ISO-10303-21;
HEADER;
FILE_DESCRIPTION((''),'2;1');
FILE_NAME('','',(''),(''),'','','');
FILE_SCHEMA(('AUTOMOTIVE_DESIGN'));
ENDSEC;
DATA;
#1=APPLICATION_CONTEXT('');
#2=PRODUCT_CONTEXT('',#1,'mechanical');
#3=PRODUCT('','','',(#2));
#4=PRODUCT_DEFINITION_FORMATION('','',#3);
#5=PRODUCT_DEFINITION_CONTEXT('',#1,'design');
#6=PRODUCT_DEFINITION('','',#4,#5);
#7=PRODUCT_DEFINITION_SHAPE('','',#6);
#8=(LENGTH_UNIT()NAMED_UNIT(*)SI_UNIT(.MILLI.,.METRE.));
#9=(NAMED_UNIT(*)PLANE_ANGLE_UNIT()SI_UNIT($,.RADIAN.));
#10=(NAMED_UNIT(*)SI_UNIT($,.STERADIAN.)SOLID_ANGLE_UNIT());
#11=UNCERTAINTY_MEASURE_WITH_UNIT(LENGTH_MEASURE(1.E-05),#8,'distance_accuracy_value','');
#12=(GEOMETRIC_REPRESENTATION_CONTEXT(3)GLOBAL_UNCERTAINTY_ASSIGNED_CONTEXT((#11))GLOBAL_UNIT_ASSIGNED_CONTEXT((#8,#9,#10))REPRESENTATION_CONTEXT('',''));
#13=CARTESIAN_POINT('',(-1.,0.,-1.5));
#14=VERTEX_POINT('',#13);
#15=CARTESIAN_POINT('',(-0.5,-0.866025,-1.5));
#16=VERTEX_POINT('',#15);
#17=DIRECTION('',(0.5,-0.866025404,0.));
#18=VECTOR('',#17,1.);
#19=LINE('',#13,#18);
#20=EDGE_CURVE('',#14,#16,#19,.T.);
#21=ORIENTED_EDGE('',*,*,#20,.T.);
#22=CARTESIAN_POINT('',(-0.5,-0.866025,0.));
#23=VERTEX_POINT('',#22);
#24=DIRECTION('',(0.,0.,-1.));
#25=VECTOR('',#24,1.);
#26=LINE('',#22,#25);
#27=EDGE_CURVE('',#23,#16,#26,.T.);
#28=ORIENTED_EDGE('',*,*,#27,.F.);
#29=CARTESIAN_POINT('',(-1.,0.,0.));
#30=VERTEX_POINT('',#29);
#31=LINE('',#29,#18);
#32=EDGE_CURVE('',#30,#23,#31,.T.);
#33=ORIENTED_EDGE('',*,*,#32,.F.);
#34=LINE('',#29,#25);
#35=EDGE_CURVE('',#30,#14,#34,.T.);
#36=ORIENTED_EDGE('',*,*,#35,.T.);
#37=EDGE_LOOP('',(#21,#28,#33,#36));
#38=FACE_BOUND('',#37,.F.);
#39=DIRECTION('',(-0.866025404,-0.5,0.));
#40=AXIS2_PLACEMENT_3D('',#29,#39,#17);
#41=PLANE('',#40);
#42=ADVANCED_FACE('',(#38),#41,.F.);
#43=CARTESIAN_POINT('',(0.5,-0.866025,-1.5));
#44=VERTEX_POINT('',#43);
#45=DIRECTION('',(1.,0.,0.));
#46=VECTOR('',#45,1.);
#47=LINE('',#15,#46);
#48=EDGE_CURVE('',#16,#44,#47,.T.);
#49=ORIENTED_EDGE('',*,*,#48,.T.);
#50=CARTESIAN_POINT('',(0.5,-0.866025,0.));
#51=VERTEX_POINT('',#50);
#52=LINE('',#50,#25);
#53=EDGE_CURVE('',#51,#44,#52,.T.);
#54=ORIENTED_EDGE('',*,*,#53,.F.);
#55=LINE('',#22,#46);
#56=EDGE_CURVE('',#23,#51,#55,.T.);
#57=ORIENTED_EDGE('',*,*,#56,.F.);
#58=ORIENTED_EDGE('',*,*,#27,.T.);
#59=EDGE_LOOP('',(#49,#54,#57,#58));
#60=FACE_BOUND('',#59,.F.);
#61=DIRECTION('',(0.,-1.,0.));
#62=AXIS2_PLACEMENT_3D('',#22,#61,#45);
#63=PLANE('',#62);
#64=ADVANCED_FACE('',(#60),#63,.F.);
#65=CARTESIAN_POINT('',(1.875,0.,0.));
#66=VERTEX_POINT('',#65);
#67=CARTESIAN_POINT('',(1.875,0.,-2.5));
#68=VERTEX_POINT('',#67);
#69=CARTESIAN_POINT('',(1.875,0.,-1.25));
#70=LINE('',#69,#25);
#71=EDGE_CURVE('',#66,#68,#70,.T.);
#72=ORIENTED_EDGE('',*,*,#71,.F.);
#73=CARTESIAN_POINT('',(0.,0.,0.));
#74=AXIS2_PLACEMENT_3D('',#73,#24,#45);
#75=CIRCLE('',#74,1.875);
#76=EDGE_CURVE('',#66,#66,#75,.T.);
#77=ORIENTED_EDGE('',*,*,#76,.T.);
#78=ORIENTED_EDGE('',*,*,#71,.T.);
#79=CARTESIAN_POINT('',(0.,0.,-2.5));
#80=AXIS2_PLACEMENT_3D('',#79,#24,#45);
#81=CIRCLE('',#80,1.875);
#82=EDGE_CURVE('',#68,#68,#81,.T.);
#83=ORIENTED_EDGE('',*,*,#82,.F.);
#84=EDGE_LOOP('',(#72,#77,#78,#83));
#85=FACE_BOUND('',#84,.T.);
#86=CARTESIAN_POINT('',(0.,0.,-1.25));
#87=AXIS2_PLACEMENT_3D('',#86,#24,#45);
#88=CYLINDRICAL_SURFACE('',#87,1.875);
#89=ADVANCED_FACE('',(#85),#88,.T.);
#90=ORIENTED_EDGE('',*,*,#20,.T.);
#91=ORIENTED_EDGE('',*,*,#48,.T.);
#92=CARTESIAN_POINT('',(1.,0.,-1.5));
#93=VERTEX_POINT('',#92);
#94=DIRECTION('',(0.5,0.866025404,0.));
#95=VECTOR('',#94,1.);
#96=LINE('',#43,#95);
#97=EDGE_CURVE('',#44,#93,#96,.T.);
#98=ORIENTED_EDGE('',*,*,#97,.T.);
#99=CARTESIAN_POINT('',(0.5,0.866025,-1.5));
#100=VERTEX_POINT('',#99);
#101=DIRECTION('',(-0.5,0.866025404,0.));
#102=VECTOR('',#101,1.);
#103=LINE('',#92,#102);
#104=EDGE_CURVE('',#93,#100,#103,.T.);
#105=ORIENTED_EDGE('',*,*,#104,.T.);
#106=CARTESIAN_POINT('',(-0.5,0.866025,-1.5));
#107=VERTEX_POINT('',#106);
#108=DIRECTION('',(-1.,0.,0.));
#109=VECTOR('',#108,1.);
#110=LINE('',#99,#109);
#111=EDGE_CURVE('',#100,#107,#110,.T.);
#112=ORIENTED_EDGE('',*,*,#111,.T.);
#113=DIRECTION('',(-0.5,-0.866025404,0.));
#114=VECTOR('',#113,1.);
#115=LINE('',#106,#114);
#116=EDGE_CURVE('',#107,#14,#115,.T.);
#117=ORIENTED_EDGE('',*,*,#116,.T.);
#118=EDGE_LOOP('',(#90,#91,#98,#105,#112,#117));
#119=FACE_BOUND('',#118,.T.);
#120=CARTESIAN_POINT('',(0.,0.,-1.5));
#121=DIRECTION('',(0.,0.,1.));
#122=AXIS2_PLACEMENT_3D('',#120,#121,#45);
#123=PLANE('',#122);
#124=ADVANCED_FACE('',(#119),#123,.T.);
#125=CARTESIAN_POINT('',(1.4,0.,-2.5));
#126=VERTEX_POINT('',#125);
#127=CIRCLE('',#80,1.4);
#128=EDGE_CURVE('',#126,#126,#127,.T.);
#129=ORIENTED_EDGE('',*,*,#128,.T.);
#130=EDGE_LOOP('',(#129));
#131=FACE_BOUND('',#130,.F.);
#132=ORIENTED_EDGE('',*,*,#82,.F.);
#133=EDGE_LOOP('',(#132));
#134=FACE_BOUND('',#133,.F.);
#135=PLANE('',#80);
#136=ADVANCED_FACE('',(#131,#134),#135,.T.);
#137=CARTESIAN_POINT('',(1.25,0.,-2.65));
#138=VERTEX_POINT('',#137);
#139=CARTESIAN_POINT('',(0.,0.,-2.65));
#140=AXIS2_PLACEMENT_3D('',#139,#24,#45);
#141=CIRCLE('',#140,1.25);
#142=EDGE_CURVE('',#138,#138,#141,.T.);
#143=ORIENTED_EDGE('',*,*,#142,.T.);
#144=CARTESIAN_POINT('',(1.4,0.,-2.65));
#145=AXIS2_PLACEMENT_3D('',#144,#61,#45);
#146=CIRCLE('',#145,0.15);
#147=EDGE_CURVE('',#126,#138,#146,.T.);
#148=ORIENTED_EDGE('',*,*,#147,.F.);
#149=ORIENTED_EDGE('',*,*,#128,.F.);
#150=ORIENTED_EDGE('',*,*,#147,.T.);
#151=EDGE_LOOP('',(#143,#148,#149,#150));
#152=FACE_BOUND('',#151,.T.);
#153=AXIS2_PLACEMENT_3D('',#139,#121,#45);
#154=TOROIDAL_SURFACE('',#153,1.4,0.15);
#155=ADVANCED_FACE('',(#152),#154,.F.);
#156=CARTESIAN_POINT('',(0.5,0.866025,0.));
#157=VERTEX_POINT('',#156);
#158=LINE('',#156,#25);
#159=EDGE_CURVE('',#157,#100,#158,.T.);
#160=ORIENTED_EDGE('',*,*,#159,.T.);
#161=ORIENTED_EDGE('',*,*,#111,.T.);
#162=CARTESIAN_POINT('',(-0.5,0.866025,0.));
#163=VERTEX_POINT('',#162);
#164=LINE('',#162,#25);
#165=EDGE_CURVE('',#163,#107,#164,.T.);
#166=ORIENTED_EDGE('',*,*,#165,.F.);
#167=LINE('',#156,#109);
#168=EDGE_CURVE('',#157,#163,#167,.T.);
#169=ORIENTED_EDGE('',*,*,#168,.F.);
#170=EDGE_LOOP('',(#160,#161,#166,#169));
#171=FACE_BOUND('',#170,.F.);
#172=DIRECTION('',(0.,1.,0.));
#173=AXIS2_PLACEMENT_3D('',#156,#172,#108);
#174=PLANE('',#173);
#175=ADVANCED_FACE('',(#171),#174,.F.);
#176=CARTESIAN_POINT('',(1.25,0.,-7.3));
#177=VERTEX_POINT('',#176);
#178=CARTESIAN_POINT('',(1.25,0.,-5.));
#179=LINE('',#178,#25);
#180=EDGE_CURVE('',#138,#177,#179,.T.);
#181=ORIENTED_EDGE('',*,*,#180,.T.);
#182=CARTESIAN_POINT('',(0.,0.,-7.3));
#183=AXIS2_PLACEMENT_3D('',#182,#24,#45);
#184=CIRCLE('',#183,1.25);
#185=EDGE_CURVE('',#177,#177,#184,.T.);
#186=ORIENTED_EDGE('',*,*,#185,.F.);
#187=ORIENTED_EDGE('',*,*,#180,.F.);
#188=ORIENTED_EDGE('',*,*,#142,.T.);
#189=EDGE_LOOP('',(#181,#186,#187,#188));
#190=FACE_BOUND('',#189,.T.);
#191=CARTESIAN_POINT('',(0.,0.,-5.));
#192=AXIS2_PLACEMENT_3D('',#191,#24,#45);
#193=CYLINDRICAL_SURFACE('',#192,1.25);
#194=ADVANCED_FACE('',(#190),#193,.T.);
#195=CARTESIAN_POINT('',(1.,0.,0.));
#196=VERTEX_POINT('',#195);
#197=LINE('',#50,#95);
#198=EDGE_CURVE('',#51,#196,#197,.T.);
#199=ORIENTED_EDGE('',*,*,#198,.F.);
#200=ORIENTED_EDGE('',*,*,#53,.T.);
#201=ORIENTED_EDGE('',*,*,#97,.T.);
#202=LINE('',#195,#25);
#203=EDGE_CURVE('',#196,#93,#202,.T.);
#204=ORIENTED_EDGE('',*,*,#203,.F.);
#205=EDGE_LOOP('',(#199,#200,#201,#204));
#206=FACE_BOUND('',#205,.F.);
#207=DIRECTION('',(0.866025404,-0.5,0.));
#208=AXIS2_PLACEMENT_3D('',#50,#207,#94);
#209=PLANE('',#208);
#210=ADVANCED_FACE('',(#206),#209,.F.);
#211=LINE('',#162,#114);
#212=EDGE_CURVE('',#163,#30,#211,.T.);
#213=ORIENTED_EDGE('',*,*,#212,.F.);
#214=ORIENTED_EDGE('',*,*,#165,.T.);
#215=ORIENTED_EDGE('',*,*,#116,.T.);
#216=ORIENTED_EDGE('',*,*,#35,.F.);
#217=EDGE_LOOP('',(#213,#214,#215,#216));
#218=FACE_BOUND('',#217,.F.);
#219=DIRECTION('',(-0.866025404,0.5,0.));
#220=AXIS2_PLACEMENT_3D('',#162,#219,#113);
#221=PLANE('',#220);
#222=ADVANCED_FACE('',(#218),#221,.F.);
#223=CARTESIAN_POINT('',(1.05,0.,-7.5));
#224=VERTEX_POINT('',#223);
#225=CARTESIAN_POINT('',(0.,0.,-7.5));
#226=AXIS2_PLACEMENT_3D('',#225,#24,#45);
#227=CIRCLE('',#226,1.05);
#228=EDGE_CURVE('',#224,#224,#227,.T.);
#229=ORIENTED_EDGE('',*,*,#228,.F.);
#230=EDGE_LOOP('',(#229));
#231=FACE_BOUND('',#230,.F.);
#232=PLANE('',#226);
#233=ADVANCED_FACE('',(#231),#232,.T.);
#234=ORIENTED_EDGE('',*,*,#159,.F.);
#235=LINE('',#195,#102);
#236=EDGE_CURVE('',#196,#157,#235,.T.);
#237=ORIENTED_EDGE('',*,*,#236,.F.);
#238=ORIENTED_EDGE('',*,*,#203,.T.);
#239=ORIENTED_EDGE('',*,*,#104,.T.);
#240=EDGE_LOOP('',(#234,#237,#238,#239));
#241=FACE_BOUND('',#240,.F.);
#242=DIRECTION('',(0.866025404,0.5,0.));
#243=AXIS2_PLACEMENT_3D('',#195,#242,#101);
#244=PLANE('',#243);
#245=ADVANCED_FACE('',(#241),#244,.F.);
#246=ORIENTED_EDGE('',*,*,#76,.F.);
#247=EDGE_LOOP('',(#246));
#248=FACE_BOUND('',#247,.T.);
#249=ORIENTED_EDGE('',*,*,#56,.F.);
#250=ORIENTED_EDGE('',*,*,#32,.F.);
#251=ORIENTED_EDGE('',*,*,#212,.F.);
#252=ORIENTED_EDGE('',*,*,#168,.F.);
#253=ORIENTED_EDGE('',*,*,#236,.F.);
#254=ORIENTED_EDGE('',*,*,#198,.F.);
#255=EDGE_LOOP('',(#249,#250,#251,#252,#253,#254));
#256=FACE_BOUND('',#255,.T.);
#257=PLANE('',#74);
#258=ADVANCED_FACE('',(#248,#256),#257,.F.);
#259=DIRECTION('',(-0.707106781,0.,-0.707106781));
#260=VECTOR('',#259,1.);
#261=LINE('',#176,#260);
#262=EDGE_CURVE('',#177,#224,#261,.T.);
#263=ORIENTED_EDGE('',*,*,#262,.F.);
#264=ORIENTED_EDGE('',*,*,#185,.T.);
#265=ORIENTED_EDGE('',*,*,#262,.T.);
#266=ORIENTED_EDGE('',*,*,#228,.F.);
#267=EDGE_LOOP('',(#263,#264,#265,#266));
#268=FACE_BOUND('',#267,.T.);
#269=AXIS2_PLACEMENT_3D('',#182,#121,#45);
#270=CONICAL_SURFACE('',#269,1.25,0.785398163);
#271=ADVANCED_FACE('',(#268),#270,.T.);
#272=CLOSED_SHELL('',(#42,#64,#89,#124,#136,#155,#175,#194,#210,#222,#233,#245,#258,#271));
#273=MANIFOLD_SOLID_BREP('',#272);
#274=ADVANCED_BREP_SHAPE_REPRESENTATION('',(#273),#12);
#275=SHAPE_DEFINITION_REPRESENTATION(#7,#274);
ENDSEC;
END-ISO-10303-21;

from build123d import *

# Parameters (mm, degrees)
SKETCH1_W          = 1.875
SKETCH1_H          = 2.5
SKETCH1_W_2        = 1.25
SKETCH1_H_2        = 5
CUT_EXTRUDE1_DEPTH = 1.5
FILLET1_R          = 0.15
CHAMFER1_SIZE      = 0.2


with BuildPart() as part:
    # Sketch1 → Revolve1 (revolve)
    with BuildSketch(Plane(origin=(0, 0, 0), x_dir=(1, 0, 0), z_dir=(0, 1, 0))):
        with Locations((0.9375, 1.25)):
            Rectangle(SKETCH1_W, SKETCH1_H)
        with Locations((0.625, 5)):
            Rectangle(SKETCH1_W_2, SKETCH1_H_2)
    revolve(axis=Axis((0, 0, -2.5), (0, 0, -1)))

    # Sketch2 → Cut-Extrude1 (cut)
    with BuildSketch(Plane.XY):
        Polygon((1, 0), (0.5, 0.866025404), (-0.5, 0.866025404), (-1, 0), (-0.5, -0.866025404), (0.5, -0.866025404), align=None)
    extrude(amount=-CUT_EXTRUDE1_DEPTH, mode=Mode.SUBTRACT)

    # Fillet1
    fillet1_edges = [part.edges().sort_by_distance(p)[0] for p in [
        (-1.25, 0, -2.5),
    ]]
    fillet(fillet1_edges, radius=FILLET1_R)

    # Chamfer1
    chamfer1_edges = [part.edges().sort_by_distance(p)[0] for p in [
        (-1.25, 0, -7.5),
    ]]
    chamfer(chamfer1_edges, length=CHAMFER1_SIZE)


solid = part.part
